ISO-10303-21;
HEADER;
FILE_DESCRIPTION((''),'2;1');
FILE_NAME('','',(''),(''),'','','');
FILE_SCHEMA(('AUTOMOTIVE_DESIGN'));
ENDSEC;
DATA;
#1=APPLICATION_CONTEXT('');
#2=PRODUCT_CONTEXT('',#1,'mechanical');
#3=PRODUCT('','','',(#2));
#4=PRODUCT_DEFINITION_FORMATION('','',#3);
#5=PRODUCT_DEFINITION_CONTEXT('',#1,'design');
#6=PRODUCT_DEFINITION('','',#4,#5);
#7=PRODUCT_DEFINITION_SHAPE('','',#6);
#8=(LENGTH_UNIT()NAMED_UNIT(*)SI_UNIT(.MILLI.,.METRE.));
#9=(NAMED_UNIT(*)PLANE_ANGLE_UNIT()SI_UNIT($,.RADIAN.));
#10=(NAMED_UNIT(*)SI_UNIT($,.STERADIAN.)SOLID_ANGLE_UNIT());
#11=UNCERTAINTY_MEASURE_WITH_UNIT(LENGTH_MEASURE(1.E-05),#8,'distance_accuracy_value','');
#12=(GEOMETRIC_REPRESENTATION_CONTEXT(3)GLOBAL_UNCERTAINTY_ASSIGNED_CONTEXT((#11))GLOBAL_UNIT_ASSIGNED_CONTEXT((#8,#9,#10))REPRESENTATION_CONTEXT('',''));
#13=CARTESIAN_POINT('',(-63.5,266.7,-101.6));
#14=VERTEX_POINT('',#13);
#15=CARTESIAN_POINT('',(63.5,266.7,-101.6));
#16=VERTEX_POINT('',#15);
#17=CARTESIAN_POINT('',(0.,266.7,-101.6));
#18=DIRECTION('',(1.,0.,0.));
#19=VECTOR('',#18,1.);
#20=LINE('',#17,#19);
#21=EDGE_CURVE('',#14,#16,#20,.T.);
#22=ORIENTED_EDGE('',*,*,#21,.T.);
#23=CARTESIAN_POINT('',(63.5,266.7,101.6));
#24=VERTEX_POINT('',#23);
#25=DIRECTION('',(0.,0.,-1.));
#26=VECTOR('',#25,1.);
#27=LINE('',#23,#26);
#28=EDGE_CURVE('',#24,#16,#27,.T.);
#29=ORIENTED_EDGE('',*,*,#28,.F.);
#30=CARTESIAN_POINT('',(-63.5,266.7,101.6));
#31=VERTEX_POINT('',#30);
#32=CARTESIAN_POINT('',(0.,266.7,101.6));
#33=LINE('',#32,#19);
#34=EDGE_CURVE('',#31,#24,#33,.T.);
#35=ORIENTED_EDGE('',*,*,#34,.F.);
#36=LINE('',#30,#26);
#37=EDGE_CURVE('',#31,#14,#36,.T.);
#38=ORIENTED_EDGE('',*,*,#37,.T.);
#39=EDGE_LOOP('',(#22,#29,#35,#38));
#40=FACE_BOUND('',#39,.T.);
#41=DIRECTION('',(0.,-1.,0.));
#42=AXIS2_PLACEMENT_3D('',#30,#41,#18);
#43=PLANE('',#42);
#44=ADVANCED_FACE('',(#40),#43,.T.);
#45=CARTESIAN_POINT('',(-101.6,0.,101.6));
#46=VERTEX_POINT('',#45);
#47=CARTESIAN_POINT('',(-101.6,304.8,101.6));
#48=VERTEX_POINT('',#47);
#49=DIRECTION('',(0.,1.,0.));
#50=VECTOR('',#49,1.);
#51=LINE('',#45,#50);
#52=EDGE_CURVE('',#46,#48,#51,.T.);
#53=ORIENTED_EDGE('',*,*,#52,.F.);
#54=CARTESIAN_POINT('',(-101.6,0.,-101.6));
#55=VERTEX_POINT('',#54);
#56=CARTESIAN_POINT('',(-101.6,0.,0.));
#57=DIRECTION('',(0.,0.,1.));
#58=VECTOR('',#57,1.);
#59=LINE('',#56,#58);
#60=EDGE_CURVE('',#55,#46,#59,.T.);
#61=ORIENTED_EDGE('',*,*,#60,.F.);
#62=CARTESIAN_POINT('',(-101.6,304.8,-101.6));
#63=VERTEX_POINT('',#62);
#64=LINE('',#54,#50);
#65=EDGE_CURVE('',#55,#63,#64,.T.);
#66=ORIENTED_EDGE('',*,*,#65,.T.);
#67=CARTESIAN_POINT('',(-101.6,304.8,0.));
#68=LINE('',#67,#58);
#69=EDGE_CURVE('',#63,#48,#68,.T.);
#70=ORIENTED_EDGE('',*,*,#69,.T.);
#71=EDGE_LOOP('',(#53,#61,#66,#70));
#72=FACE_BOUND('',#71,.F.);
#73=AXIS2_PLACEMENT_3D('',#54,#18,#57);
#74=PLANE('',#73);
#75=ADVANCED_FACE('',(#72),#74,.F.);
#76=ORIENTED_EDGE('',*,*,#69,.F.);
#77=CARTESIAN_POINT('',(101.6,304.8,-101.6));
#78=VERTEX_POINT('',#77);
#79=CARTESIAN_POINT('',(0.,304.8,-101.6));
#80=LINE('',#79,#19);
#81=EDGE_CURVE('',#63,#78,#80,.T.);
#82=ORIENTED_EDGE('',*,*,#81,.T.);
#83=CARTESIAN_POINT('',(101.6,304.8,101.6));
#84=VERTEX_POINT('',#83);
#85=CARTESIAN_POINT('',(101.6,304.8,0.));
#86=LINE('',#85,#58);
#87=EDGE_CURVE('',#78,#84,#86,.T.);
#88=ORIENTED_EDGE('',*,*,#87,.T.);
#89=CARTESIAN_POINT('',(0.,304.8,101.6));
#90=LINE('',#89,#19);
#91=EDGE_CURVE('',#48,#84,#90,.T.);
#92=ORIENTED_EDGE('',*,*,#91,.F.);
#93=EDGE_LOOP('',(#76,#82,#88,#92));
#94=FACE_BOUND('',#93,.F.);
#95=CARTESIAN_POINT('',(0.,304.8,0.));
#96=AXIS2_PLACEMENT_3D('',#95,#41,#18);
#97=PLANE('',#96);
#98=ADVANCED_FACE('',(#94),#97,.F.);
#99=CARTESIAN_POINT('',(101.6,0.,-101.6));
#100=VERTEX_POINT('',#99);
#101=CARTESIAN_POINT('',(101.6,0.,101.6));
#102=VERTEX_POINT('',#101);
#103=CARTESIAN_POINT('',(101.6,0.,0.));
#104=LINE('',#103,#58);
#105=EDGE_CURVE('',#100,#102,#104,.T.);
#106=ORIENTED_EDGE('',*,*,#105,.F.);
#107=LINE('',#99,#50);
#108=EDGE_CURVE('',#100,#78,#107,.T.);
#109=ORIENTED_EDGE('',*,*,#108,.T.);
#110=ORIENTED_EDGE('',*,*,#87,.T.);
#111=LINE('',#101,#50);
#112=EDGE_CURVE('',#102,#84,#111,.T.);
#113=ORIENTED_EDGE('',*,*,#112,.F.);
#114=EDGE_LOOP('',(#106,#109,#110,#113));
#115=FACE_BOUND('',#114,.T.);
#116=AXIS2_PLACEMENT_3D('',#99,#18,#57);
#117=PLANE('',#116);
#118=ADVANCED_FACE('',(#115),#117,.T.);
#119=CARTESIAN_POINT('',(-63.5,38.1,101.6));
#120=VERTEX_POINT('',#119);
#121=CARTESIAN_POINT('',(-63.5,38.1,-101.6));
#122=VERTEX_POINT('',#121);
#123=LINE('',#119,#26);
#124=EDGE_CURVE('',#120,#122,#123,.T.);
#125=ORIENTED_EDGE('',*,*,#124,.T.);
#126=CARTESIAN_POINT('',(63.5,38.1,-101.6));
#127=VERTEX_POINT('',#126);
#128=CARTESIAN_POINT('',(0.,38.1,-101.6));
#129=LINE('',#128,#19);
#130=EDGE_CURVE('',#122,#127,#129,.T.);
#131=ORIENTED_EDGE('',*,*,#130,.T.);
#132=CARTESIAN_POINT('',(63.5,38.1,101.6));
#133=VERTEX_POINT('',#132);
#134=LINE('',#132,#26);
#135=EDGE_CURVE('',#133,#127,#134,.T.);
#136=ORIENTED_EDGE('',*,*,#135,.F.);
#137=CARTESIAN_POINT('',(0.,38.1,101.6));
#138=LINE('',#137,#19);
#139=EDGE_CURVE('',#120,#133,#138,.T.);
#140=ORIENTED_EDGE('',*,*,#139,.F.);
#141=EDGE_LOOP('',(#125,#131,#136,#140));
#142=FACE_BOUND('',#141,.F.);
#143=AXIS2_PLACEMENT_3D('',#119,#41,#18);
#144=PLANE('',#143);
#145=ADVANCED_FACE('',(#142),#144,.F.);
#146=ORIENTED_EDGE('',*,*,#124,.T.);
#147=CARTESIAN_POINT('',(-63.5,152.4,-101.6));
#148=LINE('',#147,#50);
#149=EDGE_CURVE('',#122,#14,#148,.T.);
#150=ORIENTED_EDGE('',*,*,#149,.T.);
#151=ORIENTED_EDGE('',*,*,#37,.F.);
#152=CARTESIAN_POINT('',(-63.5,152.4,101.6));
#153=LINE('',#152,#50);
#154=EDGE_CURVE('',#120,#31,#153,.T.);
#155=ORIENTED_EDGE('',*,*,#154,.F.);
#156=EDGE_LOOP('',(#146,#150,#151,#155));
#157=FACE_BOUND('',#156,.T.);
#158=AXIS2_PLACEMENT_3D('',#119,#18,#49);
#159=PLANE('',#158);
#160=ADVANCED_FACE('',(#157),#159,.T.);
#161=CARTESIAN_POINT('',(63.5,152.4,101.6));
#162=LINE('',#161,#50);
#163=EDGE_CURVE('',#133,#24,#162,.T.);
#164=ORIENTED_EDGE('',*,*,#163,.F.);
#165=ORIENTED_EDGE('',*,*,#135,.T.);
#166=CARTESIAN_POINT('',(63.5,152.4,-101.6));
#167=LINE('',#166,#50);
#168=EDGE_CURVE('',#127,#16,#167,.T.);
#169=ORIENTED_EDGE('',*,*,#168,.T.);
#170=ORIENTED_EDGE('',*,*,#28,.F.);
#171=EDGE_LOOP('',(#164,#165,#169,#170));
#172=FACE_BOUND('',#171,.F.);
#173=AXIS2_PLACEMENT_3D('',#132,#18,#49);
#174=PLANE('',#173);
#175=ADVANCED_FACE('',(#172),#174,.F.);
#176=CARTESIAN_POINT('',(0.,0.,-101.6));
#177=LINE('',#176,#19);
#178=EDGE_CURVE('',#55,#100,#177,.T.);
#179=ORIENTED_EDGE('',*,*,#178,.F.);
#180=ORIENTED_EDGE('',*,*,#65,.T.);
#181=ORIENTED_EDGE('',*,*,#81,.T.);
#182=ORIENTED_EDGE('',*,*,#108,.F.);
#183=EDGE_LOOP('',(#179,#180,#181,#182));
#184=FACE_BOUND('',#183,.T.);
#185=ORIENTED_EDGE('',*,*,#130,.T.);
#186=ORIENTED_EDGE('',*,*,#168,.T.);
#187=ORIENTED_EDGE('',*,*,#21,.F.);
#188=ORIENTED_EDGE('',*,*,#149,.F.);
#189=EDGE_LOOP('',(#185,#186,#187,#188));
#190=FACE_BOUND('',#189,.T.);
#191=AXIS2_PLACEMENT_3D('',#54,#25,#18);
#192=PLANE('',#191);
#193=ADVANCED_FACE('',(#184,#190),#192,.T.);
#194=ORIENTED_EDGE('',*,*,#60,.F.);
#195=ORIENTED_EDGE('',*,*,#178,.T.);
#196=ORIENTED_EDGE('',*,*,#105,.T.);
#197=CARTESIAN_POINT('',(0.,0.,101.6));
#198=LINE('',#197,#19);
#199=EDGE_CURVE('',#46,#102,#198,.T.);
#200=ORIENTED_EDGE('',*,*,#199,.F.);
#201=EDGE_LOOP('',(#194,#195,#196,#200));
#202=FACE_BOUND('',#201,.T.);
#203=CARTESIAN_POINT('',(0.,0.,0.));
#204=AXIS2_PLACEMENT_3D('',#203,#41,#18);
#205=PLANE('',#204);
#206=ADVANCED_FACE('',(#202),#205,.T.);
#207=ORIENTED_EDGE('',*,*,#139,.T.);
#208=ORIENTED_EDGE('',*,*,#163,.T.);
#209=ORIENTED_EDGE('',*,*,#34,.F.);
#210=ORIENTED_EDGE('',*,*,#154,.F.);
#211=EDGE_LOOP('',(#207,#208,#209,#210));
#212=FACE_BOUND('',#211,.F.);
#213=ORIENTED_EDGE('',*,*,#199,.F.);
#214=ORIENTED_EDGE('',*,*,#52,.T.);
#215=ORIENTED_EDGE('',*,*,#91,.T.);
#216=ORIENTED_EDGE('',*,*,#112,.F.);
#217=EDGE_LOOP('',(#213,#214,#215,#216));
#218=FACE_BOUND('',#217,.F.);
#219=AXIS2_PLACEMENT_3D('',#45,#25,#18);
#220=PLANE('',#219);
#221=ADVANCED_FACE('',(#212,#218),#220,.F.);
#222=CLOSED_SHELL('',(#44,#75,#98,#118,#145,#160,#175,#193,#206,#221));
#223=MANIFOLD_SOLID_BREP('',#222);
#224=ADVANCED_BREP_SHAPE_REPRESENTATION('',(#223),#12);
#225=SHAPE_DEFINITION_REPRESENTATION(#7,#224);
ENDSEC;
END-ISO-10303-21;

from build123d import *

# Parameters (mm, degrees)
F0_W          = 203.2
F0_H          = 203.2
F1_DEPTH      = 304.8
F2_W          = 127
F2_H          = 228.6
F3_DEPTH      = 25.4
F3_DEPTH_BACK = 203.2


with BuildPart() as f1:
    # F0 (on Front) → F1 (new body)
    with BuildSketch(Plane.XZ):
        Rectangle(F0_W, F0_H)
    extrude(amount=-F1_DEPTH)

    # F2 (on face) → F3 (cut, two sides)
    with BuildSketch(Plane.XY.offset(101.6)) as f3_sk:
        with Locations((0, 152.4)):
            Rectangle(F2_W, F2_H)
    extrude(amount=F3_DEPTH, mode=Mode.SUBTRACT)
    extrude(f3_sk.sketch, amount=-F3_DEPTH_BACK, mode=Mode.SUBTRACT)


solid = f1.part
